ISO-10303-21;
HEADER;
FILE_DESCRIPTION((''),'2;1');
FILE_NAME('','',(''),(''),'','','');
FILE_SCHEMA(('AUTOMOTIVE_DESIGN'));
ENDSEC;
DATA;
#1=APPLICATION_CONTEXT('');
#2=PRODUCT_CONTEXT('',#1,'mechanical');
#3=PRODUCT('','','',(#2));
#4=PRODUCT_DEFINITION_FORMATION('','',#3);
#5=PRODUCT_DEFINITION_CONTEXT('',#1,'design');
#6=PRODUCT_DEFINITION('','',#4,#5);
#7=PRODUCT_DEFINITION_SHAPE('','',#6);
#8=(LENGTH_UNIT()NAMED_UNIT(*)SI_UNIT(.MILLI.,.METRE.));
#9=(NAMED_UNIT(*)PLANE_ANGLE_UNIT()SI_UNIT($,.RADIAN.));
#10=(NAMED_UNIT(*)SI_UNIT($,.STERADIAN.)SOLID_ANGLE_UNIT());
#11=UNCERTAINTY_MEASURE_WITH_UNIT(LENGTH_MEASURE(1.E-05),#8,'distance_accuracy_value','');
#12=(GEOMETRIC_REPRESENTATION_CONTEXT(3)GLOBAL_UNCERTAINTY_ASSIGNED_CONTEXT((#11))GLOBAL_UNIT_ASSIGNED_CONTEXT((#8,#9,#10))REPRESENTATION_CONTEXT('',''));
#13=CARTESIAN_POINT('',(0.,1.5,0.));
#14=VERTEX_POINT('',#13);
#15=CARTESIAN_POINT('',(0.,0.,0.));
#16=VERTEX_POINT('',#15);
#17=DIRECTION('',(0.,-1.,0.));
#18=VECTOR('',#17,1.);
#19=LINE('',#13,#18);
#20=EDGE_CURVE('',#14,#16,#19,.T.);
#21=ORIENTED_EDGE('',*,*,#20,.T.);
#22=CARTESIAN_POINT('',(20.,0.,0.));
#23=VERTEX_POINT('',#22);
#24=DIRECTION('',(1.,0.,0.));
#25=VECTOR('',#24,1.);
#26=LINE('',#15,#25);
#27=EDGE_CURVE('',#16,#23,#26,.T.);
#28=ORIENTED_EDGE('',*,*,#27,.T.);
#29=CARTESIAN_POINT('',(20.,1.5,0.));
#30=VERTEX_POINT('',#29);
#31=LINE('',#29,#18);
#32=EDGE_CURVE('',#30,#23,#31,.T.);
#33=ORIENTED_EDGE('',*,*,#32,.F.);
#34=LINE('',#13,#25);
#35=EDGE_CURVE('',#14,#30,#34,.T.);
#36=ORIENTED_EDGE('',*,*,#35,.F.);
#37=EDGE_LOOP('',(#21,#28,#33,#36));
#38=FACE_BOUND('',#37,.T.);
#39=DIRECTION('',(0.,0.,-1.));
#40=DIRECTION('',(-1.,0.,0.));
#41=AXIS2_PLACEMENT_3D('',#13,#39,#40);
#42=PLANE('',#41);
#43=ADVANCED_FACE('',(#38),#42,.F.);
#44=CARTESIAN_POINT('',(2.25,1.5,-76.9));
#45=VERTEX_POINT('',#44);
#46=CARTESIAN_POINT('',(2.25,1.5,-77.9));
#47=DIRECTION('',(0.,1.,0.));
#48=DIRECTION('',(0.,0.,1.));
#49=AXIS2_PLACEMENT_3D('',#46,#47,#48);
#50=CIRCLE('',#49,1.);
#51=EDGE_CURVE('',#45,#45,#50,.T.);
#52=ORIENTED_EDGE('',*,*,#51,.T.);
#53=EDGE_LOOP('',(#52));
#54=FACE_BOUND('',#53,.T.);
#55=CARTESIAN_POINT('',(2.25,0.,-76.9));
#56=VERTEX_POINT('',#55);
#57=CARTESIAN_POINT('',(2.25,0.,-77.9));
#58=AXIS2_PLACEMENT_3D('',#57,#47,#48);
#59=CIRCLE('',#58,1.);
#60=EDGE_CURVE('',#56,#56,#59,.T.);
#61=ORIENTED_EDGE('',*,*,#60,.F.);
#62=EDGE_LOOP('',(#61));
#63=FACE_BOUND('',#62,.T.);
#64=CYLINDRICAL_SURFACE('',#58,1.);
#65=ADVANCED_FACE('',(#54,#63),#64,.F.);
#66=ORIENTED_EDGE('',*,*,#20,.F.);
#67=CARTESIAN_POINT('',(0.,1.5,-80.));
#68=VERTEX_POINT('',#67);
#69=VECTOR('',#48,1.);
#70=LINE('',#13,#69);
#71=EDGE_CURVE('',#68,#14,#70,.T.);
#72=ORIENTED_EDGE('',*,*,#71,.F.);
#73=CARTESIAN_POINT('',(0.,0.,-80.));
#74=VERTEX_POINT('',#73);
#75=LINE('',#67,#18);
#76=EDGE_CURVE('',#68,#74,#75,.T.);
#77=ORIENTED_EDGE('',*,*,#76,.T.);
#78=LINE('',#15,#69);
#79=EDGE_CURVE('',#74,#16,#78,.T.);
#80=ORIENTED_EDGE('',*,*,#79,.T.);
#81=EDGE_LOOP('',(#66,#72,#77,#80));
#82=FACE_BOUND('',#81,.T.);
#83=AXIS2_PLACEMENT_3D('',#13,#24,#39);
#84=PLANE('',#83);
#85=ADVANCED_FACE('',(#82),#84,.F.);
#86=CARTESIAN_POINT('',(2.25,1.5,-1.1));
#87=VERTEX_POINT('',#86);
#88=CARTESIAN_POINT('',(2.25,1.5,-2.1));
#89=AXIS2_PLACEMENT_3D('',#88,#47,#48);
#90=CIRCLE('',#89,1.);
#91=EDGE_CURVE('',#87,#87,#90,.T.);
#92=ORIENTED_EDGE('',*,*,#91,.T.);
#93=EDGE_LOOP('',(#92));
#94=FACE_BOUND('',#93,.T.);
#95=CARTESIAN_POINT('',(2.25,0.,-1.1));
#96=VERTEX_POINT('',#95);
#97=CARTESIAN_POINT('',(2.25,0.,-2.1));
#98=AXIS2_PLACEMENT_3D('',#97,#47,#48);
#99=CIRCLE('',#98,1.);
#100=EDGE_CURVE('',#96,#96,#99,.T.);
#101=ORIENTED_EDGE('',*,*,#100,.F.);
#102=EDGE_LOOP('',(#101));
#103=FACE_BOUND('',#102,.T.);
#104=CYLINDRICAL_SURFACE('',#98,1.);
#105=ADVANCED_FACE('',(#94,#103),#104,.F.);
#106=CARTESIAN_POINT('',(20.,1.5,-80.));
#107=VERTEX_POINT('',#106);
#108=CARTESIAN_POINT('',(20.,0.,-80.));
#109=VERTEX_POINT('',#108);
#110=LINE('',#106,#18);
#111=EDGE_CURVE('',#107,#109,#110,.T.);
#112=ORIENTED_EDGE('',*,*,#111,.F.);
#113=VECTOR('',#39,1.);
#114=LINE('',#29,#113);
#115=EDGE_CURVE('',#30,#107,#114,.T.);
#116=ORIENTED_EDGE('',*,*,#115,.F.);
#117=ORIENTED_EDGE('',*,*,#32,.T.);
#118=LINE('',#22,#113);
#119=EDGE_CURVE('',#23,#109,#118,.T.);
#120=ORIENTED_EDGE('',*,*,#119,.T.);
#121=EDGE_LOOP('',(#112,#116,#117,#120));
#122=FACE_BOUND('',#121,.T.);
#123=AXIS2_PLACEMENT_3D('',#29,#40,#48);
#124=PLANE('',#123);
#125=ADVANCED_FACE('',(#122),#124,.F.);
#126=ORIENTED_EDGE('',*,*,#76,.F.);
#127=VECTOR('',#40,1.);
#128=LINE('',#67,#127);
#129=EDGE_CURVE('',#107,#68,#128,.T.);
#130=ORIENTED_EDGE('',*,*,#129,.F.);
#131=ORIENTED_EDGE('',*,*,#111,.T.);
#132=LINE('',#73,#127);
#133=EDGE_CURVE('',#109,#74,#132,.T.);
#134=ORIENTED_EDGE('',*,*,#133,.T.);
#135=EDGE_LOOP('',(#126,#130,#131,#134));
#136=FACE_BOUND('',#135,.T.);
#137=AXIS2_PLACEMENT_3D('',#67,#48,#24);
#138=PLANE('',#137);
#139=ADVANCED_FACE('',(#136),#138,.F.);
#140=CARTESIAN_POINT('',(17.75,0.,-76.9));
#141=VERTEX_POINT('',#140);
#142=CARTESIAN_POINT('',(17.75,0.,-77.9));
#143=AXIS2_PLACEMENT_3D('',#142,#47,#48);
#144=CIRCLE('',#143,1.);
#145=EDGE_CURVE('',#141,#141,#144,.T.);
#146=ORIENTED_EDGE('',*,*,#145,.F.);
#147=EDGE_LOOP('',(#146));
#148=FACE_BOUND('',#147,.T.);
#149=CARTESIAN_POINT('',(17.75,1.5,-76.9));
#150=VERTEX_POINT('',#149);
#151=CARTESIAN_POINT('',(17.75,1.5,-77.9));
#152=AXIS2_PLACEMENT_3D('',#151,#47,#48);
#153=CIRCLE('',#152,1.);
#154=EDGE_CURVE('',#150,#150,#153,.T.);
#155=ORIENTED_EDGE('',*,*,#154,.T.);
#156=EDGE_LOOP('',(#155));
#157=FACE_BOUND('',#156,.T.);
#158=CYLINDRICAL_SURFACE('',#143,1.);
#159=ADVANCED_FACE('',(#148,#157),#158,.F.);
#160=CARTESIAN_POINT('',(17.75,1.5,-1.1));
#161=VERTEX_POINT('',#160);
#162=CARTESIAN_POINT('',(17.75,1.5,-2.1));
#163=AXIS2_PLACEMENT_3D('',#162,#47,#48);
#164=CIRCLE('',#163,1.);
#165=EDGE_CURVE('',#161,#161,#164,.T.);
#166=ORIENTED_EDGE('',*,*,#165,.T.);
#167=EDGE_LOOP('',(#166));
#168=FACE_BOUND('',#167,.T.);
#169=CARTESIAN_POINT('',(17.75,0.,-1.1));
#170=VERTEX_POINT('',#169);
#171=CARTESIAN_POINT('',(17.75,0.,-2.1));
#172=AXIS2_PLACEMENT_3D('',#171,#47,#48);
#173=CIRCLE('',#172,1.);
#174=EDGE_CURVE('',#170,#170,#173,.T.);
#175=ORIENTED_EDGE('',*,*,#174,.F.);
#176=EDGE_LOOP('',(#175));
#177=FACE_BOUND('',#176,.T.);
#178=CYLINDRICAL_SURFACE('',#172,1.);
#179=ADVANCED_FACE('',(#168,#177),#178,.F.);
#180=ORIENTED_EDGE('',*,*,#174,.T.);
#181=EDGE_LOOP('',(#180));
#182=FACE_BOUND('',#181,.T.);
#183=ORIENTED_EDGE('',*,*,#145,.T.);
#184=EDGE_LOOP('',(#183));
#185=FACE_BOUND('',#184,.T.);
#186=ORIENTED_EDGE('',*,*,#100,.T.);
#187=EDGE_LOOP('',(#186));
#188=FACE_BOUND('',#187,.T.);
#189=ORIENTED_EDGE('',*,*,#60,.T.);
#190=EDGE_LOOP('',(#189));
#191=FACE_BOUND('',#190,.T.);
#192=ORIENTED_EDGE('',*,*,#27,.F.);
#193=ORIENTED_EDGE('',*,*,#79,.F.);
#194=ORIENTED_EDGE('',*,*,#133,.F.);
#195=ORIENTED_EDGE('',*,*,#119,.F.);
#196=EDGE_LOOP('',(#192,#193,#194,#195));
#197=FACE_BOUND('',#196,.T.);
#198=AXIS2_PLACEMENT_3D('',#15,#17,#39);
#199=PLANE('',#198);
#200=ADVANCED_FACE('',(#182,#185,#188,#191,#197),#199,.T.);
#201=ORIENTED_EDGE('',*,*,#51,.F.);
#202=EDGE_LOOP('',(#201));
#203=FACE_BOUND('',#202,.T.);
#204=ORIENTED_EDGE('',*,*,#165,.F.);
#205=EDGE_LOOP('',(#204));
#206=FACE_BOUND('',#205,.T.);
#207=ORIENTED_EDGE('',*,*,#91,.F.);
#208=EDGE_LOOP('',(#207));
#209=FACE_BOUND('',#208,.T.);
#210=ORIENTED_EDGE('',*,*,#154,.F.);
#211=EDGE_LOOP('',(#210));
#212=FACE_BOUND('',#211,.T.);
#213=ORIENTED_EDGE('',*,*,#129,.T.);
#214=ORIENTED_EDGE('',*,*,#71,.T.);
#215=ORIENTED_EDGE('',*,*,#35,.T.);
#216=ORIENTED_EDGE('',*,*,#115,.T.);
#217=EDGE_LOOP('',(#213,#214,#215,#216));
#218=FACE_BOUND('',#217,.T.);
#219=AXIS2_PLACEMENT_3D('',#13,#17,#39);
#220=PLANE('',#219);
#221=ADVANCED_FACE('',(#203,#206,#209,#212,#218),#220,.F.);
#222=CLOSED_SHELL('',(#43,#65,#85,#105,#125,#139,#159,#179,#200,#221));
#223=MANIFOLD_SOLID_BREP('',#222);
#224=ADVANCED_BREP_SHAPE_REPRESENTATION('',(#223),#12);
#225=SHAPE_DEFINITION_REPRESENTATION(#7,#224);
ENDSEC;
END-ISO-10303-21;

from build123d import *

# Parameters (mm, degrees)
SKETCH1_W           = 20
SKETCH1_H           = 80
BOSS_EXTRUDE1_DEPTH = 1.5
SKETCH2_R           = 1
CUT_EXTRUDE1_DEPTH  = 2.5


with BuildPart() as part:
    # Sketch1 → Boss-Extrude1 (new body)
    with BuildSketch(Plane(origin=(0, 0, 0), x_dir=(1, 0, 0), z_dir=(0, 1, 0))):
        with Locations((10, 40)):
            Rectangle(SKETCH1_W, SKETCH1_H)
    extrude(amount=BOSS_EXTRUDE1_DEPTH)

    # Sketch2 → Cut-Extrude1 (cut, through all)
    with BuildSketch(Plane(origin=(0, 1.5, 0), x_dir=(1, 0, 0), z_dir=(0, 1, 0))):
        with Locations((2.25, 77.9)):
            Circle(SKETCH2_R)
        with Locations((17.75, 77.9)):
            Circle(SKETCH2_R)
        with Locations((2.25, 2.1)):
            Circle(SKETCH2_R)
        with Locations((17.75, 2.1)):
            Circle(SKETCH2_R)
    extrude(amount=-CUT_EXTRUDE1_DEPTH, mode=Mode.SUBTRACT)


solid = part.part
